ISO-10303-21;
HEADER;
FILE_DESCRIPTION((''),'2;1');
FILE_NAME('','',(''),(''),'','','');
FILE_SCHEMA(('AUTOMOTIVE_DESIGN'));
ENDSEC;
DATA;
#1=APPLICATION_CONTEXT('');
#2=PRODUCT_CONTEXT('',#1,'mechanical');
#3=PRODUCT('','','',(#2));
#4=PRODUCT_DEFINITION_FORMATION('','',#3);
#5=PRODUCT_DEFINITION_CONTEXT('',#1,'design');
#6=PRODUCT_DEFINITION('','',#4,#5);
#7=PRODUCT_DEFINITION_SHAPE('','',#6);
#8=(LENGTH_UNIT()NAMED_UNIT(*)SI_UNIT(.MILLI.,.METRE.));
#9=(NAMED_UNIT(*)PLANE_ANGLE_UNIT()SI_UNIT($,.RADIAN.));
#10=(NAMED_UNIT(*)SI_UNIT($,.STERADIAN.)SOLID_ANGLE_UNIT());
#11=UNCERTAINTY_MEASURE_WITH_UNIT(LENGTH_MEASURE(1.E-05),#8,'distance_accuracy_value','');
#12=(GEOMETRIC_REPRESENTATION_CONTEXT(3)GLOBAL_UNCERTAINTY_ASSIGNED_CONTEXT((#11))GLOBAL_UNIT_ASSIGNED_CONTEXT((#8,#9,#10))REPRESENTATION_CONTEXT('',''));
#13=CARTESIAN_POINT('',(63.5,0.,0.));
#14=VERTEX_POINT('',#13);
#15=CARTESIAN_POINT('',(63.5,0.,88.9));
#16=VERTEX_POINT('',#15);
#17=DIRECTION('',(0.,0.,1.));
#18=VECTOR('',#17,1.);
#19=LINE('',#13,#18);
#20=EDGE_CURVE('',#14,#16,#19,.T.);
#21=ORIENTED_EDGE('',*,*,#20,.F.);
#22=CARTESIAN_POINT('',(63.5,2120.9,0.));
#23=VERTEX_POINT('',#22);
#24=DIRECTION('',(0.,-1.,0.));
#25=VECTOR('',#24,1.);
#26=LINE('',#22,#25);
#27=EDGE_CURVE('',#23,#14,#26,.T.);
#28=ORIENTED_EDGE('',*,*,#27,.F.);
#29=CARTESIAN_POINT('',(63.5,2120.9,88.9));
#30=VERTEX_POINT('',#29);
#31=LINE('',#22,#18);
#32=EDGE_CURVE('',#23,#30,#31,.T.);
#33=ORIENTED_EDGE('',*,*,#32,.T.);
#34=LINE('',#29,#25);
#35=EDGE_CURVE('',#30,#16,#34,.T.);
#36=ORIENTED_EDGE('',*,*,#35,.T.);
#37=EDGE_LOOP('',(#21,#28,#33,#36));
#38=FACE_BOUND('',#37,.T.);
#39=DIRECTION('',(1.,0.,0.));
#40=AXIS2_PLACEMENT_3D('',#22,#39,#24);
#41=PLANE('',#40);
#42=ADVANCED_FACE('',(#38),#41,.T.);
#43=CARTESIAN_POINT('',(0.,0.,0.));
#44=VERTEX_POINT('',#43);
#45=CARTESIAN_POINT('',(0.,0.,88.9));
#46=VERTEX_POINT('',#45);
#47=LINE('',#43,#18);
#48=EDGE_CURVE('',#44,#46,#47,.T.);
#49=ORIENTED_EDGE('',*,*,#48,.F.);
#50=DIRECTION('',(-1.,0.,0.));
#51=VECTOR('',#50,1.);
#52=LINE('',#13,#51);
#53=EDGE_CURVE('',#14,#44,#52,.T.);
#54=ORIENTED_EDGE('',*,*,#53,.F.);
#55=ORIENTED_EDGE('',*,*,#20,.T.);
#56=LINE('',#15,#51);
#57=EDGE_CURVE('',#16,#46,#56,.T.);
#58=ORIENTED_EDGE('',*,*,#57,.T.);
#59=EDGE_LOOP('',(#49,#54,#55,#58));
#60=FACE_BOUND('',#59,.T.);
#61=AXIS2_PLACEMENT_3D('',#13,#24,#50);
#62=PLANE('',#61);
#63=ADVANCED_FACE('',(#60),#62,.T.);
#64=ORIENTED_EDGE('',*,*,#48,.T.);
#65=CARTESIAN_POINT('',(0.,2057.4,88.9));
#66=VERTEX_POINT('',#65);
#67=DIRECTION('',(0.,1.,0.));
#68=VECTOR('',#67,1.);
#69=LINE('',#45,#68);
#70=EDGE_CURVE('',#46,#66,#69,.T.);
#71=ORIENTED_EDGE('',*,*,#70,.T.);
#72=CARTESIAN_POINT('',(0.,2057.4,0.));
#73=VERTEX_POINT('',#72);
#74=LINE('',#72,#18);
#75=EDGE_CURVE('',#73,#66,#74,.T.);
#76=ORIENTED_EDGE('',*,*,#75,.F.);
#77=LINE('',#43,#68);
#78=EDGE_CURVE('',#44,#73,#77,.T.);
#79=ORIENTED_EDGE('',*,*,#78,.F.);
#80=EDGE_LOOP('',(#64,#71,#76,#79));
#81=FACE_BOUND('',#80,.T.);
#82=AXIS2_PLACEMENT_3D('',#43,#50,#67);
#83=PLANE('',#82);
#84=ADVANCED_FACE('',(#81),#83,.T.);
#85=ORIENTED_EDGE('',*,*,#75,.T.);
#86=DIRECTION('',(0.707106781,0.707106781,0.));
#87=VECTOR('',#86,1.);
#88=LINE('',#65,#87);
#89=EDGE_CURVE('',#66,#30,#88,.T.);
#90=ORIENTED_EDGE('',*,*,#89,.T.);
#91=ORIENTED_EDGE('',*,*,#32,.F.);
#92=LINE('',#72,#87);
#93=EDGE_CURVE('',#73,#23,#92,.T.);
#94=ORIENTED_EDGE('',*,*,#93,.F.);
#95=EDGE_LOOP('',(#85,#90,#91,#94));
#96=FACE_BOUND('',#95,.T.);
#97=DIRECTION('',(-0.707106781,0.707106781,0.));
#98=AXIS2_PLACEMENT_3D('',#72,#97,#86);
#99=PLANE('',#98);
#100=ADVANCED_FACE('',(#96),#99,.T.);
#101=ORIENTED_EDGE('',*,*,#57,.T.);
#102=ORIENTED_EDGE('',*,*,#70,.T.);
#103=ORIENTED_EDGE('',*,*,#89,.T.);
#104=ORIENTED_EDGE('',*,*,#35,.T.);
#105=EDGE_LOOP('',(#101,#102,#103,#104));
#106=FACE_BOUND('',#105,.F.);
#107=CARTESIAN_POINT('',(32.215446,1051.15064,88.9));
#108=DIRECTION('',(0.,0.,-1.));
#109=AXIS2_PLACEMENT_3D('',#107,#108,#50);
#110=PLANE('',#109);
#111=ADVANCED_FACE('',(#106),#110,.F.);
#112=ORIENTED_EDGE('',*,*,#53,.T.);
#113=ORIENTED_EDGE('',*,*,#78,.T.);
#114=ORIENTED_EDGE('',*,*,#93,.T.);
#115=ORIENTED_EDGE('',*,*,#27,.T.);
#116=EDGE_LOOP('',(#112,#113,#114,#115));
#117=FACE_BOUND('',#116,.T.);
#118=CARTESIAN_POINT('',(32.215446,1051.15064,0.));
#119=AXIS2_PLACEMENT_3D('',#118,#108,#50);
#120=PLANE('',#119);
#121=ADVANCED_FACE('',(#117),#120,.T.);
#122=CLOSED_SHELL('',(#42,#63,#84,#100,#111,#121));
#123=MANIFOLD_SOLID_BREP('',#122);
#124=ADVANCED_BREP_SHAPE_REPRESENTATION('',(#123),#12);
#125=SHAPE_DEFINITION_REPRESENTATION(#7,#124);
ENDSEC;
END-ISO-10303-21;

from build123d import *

# Parameters (mm, degrees)
BOSS_EXTRUDE1_DEPTH = 88.9


with BuildPart() as part:
    # Sketch3 → Boss-Extrude1 (new body)
    with BuildSketch(Plane.XY):
        Polygon((0, 0), (0, 2057.4), (63.5, 2120.9), (63.5, 0), align=None)
    extrude(amount=BOSS_EXTRUDE1_DEPTH)


solid = part.part
